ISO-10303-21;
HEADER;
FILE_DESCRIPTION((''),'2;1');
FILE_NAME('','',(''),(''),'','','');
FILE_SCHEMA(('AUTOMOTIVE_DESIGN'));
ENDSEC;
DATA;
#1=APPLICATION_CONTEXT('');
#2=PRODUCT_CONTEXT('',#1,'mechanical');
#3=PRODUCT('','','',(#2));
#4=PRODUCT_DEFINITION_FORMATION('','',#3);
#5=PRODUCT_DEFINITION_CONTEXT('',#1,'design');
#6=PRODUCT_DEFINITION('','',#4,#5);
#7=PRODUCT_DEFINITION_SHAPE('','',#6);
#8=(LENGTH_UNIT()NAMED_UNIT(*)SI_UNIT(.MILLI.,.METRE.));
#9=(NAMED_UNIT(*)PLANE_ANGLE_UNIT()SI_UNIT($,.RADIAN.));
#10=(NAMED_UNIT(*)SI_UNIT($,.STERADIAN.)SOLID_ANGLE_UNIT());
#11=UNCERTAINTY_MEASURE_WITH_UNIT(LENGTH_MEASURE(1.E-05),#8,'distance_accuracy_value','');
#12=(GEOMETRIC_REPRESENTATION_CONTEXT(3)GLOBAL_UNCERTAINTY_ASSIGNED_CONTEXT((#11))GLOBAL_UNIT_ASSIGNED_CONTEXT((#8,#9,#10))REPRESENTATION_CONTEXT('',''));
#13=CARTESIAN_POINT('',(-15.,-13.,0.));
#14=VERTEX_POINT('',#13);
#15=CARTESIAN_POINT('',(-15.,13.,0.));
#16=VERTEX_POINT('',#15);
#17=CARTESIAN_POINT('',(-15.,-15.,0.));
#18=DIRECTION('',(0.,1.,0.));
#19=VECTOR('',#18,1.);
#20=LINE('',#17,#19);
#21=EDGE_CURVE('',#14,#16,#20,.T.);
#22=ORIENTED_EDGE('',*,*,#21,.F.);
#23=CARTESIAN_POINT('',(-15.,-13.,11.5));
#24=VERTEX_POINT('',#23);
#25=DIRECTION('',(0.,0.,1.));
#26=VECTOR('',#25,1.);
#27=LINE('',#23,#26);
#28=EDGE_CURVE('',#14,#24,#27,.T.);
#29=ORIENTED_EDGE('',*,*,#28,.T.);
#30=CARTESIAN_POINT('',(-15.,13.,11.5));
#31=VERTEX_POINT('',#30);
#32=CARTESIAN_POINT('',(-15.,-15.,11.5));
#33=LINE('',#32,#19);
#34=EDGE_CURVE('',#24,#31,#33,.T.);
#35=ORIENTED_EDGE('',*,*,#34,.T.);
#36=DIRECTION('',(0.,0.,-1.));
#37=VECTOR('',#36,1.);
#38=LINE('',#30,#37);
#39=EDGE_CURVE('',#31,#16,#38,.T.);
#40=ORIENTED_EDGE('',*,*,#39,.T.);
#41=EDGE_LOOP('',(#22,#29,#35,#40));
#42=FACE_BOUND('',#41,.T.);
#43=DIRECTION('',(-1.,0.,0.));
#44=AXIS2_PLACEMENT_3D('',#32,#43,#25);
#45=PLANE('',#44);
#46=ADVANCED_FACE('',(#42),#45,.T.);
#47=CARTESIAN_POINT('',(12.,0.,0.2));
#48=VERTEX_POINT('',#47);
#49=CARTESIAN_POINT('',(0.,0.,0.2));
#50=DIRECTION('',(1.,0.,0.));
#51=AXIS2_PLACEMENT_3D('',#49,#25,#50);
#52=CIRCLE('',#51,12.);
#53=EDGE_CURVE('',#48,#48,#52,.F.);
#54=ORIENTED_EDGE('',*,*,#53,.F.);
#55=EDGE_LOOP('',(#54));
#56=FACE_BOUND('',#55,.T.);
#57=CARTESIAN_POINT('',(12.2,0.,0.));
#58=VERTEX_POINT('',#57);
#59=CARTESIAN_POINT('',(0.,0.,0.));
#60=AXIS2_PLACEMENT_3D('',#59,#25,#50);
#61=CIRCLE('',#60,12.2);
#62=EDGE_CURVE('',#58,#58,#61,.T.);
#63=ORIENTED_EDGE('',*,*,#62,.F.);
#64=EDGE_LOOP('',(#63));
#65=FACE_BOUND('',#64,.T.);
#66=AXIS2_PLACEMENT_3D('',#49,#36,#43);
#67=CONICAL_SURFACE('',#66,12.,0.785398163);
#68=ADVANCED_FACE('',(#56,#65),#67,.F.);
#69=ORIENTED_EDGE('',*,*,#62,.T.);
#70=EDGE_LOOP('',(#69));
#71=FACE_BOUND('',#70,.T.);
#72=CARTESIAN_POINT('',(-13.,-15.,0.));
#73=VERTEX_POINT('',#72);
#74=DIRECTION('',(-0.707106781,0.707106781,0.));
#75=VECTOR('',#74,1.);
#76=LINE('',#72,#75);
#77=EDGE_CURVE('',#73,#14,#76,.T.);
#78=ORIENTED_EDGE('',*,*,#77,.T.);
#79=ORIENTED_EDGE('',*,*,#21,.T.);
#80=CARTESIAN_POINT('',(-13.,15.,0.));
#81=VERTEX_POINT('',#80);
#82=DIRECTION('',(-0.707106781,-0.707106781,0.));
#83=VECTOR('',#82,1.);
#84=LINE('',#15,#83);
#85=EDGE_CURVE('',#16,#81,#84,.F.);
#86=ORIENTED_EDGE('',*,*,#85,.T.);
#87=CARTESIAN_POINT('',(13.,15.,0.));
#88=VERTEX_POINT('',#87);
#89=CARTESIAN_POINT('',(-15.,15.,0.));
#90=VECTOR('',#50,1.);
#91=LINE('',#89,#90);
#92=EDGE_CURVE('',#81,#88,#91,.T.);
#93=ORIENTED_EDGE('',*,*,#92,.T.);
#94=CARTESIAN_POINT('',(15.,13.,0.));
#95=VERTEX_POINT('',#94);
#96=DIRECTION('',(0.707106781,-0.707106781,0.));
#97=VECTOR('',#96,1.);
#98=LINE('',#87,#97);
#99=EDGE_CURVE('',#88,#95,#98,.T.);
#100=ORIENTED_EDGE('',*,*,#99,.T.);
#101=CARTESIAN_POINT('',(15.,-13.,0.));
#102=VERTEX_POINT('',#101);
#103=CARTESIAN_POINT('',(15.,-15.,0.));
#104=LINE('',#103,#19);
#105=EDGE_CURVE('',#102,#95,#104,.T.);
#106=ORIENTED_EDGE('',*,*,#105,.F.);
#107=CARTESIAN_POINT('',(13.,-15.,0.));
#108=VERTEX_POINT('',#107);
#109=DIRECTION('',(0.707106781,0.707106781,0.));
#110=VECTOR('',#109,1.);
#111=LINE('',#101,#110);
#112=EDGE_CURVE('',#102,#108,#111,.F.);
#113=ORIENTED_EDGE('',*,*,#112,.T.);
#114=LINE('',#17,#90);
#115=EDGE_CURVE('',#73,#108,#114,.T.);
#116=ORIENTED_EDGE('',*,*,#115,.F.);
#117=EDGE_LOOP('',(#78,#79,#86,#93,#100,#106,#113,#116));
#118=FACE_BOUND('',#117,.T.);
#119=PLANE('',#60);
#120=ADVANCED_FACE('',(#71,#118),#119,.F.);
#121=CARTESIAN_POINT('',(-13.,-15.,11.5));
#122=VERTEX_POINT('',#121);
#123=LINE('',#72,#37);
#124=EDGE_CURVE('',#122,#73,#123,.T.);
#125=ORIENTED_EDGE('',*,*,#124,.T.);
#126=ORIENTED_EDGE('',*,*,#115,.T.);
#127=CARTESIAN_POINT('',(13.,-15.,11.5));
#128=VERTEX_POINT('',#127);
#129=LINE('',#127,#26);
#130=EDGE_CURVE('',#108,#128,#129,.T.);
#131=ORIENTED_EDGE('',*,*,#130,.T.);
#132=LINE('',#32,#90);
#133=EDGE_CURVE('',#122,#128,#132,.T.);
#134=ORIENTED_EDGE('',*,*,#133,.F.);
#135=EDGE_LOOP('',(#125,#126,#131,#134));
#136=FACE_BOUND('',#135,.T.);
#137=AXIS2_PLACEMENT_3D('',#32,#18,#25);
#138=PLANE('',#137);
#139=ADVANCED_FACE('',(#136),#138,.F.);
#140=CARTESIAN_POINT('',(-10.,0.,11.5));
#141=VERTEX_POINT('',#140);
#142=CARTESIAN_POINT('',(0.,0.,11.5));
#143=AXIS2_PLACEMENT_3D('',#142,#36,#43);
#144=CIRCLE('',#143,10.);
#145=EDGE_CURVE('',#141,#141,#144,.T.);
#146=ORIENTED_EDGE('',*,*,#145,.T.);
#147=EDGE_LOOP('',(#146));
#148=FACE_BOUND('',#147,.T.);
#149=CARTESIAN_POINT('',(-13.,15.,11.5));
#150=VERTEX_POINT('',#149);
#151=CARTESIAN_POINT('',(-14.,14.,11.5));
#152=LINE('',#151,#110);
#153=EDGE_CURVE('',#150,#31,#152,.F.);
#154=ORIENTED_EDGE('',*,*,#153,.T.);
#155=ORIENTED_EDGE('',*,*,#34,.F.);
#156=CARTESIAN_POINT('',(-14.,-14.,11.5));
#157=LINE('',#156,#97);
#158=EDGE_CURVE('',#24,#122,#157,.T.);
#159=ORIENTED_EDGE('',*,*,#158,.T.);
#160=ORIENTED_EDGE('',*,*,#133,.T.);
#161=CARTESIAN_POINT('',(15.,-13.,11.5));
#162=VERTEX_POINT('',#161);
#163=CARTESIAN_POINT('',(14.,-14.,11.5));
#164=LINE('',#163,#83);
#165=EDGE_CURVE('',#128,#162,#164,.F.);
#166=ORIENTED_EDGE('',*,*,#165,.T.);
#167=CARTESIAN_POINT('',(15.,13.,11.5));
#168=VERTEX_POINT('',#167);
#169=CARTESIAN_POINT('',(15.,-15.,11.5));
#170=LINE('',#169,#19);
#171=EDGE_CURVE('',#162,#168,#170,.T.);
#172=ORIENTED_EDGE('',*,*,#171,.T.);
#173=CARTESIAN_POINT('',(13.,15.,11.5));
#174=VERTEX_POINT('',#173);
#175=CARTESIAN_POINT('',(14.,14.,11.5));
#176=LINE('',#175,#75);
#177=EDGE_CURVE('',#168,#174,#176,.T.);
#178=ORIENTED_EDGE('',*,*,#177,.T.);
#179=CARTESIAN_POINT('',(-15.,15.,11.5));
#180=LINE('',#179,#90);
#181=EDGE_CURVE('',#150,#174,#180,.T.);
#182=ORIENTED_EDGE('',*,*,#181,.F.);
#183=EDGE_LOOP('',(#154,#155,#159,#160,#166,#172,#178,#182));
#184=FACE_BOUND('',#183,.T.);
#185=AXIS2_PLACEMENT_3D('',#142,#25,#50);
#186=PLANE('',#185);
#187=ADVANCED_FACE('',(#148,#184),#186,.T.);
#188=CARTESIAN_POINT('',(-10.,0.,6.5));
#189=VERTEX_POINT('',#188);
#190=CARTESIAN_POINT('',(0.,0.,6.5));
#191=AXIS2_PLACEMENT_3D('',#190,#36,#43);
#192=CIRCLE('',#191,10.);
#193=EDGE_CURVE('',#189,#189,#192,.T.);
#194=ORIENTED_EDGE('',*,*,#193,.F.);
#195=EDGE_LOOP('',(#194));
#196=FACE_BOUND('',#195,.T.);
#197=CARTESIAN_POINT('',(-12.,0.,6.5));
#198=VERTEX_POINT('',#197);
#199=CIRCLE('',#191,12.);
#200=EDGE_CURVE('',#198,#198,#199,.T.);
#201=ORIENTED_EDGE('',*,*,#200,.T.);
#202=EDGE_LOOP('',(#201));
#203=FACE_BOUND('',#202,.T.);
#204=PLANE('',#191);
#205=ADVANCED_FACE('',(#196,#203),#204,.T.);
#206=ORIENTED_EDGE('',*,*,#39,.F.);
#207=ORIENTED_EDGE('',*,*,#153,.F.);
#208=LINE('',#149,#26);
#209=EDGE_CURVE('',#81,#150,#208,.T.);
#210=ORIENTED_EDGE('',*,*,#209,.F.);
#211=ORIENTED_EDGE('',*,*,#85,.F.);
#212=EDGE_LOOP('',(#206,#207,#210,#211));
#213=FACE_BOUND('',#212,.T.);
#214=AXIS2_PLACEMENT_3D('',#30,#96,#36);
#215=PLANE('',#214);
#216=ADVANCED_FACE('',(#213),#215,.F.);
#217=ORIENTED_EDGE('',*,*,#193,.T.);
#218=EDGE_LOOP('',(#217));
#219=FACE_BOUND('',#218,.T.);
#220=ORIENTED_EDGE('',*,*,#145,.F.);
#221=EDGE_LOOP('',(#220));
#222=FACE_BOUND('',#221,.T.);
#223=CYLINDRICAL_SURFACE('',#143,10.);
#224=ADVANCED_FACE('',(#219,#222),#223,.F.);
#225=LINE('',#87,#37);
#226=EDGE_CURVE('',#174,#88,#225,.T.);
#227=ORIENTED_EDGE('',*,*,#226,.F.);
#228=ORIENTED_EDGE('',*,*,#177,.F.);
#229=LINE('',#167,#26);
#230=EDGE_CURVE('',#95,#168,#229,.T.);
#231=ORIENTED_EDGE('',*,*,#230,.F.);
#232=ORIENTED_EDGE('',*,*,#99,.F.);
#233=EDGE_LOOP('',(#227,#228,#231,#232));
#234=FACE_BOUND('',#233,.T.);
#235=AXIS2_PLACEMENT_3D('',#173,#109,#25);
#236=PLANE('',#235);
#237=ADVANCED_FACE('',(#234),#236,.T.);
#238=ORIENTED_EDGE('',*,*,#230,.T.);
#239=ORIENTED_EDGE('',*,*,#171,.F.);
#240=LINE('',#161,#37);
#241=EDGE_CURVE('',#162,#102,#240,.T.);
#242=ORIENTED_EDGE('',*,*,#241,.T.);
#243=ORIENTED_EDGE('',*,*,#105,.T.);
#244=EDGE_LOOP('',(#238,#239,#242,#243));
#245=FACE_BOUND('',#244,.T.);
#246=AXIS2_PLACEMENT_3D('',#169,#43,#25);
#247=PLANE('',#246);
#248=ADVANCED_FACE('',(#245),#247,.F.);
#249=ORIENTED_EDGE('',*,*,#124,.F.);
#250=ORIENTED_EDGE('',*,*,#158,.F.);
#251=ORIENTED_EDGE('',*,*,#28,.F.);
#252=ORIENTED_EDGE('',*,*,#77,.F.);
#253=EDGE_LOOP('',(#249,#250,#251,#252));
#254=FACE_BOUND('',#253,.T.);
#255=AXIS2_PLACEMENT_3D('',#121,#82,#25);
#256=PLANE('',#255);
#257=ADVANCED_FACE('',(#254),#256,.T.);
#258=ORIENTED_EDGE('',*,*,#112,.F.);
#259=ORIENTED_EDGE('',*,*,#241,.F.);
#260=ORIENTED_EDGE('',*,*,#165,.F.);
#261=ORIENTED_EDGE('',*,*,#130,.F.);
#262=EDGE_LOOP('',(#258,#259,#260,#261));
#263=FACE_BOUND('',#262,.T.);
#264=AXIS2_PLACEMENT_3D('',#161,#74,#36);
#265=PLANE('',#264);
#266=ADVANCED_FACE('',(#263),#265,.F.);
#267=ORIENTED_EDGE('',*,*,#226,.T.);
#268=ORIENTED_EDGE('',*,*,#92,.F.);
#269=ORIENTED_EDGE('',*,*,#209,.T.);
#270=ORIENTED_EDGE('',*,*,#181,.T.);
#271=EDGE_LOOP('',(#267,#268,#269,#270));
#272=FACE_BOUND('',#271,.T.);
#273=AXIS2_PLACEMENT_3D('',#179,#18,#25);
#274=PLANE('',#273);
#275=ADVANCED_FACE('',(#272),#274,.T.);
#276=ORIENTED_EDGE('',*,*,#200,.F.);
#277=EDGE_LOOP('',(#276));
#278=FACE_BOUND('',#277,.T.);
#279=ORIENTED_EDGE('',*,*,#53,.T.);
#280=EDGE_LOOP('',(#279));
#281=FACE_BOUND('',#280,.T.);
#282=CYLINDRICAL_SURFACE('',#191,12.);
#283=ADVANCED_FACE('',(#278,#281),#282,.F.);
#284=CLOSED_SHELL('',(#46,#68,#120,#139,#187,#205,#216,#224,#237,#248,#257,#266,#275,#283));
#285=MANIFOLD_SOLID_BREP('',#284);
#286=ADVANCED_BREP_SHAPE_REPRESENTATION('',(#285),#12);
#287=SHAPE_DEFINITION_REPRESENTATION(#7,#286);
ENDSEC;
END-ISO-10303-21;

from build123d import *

# Parameters (mm, degrees)
SKETCH1_W           = 30
SKETCH1_H           = 30
BOSS_EXTRUDE1_DEPTH = 11.5
SKETCH2_R           = 12
CUT_EXTRUDE1_DEPTH  = 6.5
SKETCH3_R           = 10
CUT_EXTRUDE2_DEPTH  = 6
CHAMFER1_SIZE       = 2
CHAMFER_1_SIZE      = 0.2


with BuildPart() as part:
    # Sketch1 → Boss-Extrude1 (new body)
    with BuildSketch(Plane.XY):
        Rectangle(SKETCH1_W, SKETCH1_H)
    extrude(amount=BOSS_EXTRUDE1_DEPTH)

    # Sketch2 → Cut-Extrude1 (cut)
    with BuildSketch(Plane(origin=(0, 0, 0), x_dir=(-1, 0, 0), z_dir=(0, 0, -1))):
        Circle(SKETCH2_R)
    extrude(amount=-CUT_EXTRUDE1_DEPTH, mode=Mode.SUBTRACT)

    # Sketch3 → Cut-Extrude2 (cut, through all)
    with BuildSketch(Plane(origin=(0, 0, 6.5), x_dir=(-1, 0, 0), z_dir=(0, 0, -1))):
        Circle(SKETCH3_R)
    extrude(amount=-CUT_EXTRUDE2_DEPTH, mode=Mode.SUBTRACT)

    # Chamfer1
    chamfer1_edges = [part.edges().sort_by_distance(p)[0] for p in [
        (-15, -15, 5.75),
        (-15, 15, 5.75),
        (15, 15, 5.75),
        (15, -15, 5.75),
    ]]
    chamfer(chamfer1_edges, length=CHAMFER1_SIZE)

    # 倒角1
    chamfer_1_edges = [part.edges().sort_by_distance(p)[0] for p in [
        (12, 0, 0),
    ]]
    chamfer(chamfer_1_edges, length=CHAMFER_1_SIZE)


solid = part.part
